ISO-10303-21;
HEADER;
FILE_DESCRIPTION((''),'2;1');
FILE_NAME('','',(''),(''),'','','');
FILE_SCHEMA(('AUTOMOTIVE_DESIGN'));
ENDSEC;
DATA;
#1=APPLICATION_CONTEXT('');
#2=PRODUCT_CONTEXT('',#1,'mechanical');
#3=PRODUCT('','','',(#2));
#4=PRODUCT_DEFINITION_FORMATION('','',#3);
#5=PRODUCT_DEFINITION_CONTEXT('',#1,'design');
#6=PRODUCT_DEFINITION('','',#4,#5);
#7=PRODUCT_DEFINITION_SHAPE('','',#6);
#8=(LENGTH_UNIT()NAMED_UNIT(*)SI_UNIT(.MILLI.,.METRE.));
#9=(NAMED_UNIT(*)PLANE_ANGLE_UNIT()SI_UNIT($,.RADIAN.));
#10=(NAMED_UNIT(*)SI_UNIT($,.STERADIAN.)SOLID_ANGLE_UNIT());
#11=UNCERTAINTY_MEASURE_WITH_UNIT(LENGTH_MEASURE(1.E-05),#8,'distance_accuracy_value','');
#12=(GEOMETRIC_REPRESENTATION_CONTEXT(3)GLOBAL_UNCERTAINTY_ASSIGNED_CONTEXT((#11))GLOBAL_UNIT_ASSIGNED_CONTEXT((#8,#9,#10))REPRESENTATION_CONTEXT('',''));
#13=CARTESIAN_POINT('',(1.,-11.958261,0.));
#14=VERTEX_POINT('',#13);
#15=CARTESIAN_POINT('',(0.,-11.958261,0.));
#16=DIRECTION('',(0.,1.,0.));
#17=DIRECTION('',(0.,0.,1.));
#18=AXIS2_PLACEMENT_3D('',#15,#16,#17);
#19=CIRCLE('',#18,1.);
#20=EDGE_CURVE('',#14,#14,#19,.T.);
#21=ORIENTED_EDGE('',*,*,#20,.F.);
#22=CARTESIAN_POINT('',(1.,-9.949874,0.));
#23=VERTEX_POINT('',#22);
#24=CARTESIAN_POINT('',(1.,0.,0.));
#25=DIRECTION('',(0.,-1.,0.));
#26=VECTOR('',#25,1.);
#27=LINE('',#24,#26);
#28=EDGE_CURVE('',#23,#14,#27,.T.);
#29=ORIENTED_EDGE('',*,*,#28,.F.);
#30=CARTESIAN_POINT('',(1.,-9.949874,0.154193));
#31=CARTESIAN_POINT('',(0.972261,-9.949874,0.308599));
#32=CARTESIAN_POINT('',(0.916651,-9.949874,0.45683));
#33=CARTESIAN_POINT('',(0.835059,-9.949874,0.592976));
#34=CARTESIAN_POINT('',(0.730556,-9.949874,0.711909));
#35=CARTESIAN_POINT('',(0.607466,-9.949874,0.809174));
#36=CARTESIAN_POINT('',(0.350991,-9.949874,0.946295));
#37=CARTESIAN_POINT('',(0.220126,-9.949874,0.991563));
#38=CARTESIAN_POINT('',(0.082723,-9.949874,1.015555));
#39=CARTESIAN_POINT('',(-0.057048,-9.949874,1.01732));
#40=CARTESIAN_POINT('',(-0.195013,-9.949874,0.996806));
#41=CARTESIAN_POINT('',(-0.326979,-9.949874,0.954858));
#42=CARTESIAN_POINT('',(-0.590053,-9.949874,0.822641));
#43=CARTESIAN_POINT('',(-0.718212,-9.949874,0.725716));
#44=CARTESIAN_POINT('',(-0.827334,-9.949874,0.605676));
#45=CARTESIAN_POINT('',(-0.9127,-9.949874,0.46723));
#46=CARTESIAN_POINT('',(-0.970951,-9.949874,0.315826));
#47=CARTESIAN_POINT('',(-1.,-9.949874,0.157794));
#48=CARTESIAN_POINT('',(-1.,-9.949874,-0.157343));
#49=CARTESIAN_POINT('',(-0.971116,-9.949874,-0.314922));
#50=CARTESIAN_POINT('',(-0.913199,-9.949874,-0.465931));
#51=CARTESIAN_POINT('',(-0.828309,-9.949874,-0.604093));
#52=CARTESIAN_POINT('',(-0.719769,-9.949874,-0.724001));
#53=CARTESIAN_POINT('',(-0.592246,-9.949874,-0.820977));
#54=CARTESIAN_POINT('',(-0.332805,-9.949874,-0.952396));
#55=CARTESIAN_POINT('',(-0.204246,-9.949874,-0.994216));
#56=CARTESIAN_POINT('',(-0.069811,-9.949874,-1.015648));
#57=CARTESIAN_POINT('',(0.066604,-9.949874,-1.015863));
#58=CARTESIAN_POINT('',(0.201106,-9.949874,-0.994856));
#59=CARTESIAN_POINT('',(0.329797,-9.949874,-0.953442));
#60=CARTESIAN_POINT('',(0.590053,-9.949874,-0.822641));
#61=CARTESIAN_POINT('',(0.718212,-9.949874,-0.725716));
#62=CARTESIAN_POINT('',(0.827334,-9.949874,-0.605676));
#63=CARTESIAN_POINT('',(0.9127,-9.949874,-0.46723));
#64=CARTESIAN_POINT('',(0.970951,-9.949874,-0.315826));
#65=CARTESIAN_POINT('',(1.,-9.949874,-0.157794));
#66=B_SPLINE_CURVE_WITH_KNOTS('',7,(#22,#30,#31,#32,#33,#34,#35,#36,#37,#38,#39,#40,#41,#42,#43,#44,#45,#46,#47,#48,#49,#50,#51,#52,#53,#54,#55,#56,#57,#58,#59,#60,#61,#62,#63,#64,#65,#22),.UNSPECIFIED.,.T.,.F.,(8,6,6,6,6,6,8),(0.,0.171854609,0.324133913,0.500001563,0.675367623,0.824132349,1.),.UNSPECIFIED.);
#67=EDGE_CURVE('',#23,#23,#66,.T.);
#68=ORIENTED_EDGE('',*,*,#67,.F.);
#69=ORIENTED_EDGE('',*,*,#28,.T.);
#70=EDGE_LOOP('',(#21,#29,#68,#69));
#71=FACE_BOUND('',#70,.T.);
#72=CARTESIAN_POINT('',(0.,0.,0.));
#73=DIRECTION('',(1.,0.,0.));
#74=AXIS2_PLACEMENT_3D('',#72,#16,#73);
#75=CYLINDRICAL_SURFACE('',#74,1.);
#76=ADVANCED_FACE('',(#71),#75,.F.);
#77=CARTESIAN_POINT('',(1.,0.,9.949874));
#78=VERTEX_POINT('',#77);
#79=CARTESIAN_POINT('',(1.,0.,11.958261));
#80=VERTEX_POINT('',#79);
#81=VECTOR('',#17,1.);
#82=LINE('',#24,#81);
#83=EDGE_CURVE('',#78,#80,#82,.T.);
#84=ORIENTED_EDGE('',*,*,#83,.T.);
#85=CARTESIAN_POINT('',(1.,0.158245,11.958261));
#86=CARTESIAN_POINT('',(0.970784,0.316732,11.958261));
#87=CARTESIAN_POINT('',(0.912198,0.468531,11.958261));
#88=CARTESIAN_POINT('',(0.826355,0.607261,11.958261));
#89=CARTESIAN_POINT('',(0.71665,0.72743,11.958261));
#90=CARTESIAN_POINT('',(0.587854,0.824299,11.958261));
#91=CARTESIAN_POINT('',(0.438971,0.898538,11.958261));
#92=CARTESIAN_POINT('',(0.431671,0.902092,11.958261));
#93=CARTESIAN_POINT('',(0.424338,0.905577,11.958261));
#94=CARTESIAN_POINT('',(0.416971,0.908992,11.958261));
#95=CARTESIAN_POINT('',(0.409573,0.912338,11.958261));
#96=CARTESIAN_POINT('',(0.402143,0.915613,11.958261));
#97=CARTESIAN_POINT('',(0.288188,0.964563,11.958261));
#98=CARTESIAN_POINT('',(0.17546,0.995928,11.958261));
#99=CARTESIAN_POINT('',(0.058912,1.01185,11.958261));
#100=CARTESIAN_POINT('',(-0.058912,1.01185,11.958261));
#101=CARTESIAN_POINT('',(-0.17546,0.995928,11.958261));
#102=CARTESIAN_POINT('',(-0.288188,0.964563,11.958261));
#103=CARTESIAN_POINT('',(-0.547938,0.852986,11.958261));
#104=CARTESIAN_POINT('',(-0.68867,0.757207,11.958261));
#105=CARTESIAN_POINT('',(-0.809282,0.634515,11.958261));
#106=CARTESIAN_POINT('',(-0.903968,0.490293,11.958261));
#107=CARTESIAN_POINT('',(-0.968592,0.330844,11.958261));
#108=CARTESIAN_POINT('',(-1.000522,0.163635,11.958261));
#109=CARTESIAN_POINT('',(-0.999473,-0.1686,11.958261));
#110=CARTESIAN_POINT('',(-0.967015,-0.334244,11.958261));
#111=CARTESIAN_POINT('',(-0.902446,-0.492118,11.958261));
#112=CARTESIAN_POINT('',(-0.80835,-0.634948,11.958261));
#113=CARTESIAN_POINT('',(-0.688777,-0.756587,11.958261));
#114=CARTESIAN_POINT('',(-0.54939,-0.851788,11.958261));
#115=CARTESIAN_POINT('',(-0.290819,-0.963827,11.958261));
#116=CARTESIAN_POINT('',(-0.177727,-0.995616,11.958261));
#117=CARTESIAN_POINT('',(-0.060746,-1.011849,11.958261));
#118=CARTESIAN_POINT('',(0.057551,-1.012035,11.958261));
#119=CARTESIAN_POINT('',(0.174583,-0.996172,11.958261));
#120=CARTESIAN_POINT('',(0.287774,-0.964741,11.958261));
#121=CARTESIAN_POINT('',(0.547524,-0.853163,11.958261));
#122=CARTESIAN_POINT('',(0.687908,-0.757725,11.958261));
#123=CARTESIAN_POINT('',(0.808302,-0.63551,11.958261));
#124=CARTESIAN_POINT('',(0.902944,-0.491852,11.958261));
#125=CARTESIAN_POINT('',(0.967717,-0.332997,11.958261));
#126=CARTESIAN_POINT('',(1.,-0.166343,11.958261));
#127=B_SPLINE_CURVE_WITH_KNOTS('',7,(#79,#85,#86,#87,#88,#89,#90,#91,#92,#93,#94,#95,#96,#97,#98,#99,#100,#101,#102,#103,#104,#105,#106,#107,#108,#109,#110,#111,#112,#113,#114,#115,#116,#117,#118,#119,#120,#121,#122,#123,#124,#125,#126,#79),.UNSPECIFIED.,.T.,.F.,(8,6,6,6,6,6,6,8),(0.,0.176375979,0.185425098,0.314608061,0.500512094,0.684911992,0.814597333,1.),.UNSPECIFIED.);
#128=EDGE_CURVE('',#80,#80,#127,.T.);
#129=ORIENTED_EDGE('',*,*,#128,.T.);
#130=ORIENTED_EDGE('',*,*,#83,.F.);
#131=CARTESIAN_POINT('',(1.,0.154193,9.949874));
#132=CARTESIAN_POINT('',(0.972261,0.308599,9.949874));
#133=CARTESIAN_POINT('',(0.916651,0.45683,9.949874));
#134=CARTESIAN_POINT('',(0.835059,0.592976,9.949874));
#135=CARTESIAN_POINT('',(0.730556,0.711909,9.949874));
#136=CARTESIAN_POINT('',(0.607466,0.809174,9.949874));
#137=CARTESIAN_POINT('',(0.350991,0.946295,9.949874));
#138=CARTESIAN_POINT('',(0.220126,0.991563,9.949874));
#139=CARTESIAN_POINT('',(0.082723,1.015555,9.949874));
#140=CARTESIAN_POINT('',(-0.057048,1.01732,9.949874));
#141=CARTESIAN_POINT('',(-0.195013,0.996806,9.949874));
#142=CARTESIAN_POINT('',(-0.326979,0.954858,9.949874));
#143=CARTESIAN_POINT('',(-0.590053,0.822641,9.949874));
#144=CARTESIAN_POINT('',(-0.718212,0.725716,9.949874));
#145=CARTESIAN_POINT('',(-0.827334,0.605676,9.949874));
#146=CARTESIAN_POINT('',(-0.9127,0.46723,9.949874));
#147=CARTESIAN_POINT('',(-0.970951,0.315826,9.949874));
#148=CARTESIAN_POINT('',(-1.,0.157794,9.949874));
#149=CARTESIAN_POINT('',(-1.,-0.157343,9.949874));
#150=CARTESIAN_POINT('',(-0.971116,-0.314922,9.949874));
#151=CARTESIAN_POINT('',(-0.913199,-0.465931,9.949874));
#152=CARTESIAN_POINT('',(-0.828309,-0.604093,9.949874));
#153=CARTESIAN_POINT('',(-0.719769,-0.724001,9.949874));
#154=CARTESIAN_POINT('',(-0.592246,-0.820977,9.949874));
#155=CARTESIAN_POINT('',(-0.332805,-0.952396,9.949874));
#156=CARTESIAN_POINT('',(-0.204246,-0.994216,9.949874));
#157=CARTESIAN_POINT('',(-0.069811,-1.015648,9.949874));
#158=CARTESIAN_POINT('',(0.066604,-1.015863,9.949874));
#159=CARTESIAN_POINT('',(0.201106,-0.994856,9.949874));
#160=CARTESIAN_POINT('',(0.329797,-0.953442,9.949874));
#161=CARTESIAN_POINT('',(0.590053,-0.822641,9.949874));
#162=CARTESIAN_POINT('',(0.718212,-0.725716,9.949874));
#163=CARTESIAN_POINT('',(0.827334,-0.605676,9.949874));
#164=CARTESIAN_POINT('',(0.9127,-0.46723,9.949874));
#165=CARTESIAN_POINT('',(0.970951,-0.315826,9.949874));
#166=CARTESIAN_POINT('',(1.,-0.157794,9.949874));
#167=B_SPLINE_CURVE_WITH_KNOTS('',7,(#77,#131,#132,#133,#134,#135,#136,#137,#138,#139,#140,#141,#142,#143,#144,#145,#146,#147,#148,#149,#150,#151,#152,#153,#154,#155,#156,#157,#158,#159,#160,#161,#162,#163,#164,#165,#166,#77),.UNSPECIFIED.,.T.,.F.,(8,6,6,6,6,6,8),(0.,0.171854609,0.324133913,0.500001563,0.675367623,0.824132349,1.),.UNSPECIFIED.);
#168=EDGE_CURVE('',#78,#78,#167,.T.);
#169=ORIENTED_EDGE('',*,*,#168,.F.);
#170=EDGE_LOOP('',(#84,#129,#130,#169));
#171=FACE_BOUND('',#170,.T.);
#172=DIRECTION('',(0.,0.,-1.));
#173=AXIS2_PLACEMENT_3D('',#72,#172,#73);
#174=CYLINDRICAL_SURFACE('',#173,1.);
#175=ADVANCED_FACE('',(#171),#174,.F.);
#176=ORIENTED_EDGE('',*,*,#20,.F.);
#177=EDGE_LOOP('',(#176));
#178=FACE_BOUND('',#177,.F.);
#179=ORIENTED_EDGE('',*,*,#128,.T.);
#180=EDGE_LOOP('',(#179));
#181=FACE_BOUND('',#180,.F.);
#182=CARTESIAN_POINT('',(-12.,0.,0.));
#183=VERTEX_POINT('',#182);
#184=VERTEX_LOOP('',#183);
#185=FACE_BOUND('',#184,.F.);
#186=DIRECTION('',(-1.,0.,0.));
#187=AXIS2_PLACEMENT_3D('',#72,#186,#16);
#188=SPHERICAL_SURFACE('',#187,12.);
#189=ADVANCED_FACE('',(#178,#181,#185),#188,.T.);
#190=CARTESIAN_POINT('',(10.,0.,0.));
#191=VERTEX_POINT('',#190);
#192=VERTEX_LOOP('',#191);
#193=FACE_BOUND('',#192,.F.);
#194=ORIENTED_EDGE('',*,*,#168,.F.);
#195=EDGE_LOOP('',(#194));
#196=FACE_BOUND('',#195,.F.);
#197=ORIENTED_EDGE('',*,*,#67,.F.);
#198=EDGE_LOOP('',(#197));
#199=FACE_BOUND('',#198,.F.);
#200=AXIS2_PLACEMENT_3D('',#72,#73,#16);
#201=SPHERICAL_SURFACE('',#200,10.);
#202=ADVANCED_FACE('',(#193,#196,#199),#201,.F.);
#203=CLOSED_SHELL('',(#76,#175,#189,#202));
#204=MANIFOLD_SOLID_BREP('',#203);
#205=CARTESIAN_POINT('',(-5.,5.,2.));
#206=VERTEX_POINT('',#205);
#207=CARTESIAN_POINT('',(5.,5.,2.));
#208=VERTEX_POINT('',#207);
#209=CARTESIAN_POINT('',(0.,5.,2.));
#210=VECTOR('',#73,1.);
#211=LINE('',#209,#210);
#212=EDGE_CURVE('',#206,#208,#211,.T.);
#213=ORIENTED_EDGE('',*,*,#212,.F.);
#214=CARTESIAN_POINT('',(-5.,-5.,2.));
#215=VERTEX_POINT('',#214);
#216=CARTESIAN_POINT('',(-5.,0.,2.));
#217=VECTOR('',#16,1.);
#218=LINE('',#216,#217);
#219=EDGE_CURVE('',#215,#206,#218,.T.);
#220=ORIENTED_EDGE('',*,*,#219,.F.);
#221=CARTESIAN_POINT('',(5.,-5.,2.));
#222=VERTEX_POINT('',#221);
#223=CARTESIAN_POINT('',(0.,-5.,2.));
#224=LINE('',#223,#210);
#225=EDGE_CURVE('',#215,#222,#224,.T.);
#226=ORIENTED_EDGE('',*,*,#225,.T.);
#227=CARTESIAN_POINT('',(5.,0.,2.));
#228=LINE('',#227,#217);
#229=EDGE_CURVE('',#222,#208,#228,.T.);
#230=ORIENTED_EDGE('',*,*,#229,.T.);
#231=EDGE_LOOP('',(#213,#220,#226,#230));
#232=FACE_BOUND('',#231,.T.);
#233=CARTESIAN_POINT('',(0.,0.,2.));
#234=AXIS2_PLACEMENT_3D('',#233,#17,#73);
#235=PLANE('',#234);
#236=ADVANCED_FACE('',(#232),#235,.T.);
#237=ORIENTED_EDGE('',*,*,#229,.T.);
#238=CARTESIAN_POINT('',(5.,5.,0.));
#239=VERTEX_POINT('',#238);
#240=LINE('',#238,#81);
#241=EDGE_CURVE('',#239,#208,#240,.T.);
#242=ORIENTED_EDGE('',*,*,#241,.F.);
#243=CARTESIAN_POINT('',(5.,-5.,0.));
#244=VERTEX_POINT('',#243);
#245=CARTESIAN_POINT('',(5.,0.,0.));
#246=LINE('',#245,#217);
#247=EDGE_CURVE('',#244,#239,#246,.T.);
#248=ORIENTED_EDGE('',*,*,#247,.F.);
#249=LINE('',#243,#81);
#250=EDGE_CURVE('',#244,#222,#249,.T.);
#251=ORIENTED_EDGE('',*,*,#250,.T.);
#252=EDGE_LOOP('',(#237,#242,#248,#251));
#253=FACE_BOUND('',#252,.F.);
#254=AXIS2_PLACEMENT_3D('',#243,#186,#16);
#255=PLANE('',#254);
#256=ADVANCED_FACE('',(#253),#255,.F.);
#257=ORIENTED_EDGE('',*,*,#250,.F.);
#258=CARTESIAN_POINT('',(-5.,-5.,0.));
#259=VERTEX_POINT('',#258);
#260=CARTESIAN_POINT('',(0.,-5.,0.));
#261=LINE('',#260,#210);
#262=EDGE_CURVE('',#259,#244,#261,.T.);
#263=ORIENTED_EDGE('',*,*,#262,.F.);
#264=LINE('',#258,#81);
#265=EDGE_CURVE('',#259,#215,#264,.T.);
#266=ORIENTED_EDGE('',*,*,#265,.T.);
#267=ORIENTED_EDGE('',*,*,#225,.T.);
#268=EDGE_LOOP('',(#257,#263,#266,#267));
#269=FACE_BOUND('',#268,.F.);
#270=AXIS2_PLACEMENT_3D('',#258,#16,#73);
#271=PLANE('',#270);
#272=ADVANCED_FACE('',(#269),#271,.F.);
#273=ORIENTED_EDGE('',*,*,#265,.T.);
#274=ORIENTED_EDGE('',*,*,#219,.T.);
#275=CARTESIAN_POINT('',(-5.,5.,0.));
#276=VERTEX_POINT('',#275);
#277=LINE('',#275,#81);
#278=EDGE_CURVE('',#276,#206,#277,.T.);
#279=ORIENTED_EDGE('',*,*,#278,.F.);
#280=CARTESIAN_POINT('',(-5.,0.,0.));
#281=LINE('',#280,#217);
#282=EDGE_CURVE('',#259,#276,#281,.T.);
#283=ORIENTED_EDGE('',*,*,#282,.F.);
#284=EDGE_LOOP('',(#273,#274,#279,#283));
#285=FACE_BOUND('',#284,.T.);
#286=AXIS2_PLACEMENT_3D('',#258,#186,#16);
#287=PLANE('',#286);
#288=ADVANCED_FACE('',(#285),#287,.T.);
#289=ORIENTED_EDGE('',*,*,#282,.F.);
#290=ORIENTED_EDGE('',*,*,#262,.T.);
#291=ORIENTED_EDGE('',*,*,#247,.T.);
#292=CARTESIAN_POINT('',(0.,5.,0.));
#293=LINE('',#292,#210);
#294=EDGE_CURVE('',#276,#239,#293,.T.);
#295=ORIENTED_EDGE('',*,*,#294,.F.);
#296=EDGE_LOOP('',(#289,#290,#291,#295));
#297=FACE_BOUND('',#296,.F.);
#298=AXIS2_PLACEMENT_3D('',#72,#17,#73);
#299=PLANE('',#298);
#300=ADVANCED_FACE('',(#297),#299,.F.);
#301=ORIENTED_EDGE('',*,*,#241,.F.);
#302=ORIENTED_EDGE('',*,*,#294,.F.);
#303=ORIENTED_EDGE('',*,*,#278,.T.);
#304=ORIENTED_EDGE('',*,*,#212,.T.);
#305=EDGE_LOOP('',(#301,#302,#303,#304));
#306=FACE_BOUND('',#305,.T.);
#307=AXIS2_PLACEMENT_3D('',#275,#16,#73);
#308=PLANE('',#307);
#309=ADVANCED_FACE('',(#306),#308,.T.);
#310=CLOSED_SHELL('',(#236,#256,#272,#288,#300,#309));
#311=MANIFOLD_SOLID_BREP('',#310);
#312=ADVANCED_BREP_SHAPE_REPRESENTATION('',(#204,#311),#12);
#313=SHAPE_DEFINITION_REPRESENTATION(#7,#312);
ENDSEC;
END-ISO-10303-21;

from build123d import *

# Parameters (mm, degrees)
F3_R      = 1
F4_DEPTH  = 200
F6_R      = 1
F7_DEPTH  = 25
F9_W      = 10
F9_H      = 10
F10_DEPTH = 2


with BuildPart() as f2:
    # F0 (on Top) → F2 (revolve)
    with BuildSketch(Plane.XY):
        with BuildLine():
            ThreePointArc((-10, 0), (0, 10), (10, 0))
            Line((10, 0), (12, 0))
            ThreePointArc((12, 0), (0, 12), (-12, 0))
            Line((-12, 0), (-10, 0))
        make_face()
    revolve(axis=Axis((34.508616, 0, 0), (1, 0, 0)))


with BuildPart() as f4:
    # F3 (on Top) → F4 (new body)
    with BuildSketch(Plane.XY):
        Circle(F3_R)
    extrude(amount=F4_DEPTH)


with BuildPart() as f2_1:
    add(f2.part)

    # F5: cut F4
    add(f4.part, mode=Mode.SUBTRACT)


with BuildPart() as f7:
    # F6 (on Front) → F7 (new body)
    with BuildSketch(Plane.XZ):
        Circle(F6_R)
    extrude(amount=F7_DEPTH)


with BuildPart() as f2_2:
    add(f2_1.part)

    # F8: cut F7
    add(f7.part, mode=Mode.SUBTRACT)


with BuildPart() as f10:
    # F9 (on Top) → F10 (new body)
    with BuildSketch(Plane.XY):
        Rectangle(F9_W, F9_H)
    extrude(amount=F10_DEPTH)


solid = Compound([f2_2.part, f10.part])
